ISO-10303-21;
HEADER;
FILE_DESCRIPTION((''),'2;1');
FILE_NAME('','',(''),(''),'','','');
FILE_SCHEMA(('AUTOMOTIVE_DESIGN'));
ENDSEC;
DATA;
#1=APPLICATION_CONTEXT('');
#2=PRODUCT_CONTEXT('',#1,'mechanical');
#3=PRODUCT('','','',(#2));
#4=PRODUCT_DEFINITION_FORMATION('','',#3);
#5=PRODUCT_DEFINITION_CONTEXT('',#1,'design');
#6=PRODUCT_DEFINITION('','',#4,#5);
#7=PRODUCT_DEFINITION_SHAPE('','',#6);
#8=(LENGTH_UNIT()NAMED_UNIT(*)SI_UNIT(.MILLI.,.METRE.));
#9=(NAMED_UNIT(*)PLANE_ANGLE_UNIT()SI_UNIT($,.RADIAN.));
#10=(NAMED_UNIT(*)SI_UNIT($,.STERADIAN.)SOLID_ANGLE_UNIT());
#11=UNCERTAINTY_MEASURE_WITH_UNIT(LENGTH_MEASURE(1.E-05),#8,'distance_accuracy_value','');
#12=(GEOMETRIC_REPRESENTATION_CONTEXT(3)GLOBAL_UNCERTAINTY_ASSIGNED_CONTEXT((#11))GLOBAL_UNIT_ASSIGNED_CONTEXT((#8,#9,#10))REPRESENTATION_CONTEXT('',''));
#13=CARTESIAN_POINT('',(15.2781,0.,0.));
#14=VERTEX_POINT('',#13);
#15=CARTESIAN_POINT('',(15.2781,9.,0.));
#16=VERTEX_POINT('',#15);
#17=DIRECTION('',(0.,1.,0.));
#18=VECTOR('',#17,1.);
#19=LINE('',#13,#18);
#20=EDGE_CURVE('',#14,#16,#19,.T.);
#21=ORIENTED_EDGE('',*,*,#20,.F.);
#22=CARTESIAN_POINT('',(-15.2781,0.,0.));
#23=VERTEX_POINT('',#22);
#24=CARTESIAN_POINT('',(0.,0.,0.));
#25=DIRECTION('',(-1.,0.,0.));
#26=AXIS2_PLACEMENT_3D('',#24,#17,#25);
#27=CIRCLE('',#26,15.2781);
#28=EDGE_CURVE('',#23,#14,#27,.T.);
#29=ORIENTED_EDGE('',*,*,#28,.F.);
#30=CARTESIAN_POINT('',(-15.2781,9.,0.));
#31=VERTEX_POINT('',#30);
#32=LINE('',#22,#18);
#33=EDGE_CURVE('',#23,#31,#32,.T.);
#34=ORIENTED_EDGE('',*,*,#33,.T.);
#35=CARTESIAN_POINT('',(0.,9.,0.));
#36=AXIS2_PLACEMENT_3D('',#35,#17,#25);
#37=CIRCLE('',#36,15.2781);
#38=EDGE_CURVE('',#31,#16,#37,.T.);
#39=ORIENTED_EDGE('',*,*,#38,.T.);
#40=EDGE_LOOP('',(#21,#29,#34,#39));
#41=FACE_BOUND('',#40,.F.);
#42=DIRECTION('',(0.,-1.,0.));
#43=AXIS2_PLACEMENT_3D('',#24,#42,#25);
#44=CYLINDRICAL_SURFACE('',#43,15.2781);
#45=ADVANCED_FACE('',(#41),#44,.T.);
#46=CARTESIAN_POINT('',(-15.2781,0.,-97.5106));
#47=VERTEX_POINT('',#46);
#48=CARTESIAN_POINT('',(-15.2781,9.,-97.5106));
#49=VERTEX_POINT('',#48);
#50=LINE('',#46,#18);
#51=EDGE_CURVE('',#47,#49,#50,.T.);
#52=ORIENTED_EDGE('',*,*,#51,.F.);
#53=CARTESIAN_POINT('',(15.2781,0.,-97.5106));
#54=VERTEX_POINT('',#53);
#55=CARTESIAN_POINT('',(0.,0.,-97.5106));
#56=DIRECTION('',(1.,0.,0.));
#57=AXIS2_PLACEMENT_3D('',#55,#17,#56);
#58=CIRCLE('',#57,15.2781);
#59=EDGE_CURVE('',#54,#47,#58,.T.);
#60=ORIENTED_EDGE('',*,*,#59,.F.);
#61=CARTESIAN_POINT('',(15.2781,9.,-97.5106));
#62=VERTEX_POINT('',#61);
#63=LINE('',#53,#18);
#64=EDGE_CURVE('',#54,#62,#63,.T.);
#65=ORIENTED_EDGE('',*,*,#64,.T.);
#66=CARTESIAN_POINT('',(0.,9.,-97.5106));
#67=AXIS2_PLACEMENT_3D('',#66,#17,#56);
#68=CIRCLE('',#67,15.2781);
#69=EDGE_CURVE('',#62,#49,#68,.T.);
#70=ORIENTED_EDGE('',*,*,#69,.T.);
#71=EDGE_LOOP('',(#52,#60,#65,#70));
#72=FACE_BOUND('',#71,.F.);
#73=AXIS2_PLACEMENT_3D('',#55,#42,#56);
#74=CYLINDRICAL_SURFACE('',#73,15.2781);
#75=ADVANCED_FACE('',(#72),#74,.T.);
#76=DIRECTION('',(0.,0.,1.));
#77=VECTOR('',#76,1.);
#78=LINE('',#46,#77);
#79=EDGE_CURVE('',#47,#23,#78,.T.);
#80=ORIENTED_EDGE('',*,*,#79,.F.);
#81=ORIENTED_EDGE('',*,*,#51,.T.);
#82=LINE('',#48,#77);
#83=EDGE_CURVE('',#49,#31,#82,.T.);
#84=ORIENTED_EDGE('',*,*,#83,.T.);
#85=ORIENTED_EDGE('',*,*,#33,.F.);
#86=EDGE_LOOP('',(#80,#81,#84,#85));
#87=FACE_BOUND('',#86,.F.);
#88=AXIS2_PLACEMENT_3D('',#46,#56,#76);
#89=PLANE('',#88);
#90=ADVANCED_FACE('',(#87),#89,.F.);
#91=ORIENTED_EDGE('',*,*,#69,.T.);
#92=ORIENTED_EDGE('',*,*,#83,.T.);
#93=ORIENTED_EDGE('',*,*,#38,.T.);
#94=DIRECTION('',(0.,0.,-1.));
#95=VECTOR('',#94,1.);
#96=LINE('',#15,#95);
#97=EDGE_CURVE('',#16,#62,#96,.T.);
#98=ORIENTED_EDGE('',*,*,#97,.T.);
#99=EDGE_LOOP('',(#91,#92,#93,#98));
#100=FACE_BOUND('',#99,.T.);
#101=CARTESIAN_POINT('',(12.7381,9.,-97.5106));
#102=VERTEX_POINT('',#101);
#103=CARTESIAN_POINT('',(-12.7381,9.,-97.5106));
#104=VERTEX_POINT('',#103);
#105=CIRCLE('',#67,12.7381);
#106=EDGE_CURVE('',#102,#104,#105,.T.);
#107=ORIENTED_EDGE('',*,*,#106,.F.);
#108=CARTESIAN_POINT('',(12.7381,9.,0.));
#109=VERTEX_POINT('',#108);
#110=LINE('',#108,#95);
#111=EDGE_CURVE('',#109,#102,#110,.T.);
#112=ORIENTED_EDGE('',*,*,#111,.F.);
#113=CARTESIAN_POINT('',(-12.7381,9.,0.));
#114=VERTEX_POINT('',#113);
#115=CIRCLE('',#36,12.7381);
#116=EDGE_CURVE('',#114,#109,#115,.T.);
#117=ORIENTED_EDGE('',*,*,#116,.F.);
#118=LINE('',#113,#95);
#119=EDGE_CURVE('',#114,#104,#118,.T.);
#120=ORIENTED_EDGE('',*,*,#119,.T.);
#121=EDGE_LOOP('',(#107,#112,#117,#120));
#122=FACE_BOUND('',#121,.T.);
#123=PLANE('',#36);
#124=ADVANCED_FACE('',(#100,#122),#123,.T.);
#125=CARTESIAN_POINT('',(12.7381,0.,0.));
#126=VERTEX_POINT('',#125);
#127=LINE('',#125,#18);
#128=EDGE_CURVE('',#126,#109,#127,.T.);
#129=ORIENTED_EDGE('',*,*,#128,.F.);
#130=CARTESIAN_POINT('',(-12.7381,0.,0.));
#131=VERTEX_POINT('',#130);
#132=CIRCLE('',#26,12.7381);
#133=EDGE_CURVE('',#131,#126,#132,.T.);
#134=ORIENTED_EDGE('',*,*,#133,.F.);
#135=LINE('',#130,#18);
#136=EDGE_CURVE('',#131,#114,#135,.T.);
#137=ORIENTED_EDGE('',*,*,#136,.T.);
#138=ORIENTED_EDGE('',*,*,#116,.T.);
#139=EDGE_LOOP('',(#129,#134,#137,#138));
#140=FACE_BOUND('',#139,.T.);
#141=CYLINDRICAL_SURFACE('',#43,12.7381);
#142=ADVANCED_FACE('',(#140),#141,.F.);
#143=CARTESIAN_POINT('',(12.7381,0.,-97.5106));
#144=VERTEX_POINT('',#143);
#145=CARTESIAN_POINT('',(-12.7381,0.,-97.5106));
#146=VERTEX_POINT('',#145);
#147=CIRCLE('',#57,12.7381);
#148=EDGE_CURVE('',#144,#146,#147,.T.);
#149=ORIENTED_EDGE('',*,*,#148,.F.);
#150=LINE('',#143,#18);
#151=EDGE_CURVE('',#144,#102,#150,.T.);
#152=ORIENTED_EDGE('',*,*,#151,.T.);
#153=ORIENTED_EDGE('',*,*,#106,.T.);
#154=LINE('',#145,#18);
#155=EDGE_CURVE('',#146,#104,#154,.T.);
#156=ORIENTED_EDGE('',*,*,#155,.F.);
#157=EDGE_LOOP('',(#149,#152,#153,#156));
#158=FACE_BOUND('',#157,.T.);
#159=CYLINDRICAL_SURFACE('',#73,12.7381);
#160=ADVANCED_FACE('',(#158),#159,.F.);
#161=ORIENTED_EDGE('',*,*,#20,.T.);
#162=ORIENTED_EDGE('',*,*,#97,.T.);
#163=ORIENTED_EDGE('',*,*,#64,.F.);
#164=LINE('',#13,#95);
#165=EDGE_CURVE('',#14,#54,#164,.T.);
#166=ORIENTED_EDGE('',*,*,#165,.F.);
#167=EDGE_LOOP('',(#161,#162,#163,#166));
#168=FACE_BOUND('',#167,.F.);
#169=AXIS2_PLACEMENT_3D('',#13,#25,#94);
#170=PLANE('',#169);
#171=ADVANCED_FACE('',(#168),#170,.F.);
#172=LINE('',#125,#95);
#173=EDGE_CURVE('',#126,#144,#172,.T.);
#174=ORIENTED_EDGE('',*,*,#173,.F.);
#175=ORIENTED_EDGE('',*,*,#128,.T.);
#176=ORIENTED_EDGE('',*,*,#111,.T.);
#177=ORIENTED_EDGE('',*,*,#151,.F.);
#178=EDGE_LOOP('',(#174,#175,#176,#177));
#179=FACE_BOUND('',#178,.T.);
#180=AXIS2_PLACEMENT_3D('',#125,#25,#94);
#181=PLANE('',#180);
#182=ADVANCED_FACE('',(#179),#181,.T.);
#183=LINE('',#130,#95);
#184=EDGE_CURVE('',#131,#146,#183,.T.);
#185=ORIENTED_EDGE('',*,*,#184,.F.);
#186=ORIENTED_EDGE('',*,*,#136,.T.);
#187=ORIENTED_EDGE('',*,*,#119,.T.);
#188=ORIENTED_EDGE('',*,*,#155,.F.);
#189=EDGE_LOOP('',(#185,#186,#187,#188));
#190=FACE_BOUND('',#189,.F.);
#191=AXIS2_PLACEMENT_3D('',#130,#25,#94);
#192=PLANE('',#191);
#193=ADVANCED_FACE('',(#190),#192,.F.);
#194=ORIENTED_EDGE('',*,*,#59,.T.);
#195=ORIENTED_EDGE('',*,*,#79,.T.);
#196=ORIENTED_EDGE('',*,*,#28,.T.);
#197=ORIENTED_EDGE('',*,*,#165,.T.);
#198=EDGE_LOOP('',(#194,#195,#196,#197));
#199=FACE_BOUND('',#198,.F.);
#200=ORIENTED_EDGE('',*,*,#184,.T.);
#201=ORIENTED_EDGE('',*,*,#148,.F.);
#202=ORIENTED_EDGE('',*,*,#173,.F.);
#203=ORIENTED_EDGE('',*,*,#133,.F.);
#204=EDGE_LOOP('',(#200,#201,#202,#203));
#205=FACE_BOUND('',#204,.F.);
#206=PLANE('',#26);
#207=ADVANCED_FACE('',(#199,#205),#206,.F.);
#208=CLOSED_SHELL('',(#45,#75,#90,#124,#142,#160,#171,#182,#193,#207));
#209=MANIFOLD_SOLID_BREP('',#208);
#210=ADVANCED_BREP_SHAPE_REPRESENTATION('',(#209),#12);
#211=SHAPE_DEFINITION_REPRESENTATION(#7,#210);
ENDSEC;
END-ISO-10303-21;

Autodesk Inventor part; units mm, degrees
ref_plane "YZ Plane" through (0, 0, 0) normal (1, 0, 0) x (0, 1, 0)
ref_plane "XZ Plane" through (0, 0, 0) normal (0, 1, 0) x (-1, 0, 0)
ref_plane "XY Plane" through (0, 0, 0) normal (0, 0, 1) x (1, 0, 0)
sketch "Sketch1" plane through (0, 0, 0) normal (0, 1, 0) x (-1, 0, 0)
  arc A0 (12.7381, 0) -> (-12.7381, 0) centre (0, 0) ccw
  arc A1 (-12.7381, -97.5106) -> (12.7381, -97.5106) centre (0, -97.5106) ccw
  line L0 (12.7381, 0) -> (12.7381, -97.5106)
  line L1 (-12.7381, 0) -> (-12.7381, -97.5106)
  line L2 (15.2781, -97.5106) -> (15.2781, 0)
  arc A2 (15.2781, 0) -> (-15.2781, 0) centre (0, 0) ccw
  line L3 (-15.2781, 0) -> (-15.2781, -97.5106)
  arc A3 (-15.2781, -97.5106) -> (15.2781, -97.5106) centre (0, -97.5106) ccw
  dimension "d0" = 25.4762
  dimension "d1" = 97.5106
  dimension "d2" = 2.54
extrude "Extrusion1" add sketch "Sketch1" along normal blind 9
properties part number "INDX_023_MainBelt" material "Rubber"
